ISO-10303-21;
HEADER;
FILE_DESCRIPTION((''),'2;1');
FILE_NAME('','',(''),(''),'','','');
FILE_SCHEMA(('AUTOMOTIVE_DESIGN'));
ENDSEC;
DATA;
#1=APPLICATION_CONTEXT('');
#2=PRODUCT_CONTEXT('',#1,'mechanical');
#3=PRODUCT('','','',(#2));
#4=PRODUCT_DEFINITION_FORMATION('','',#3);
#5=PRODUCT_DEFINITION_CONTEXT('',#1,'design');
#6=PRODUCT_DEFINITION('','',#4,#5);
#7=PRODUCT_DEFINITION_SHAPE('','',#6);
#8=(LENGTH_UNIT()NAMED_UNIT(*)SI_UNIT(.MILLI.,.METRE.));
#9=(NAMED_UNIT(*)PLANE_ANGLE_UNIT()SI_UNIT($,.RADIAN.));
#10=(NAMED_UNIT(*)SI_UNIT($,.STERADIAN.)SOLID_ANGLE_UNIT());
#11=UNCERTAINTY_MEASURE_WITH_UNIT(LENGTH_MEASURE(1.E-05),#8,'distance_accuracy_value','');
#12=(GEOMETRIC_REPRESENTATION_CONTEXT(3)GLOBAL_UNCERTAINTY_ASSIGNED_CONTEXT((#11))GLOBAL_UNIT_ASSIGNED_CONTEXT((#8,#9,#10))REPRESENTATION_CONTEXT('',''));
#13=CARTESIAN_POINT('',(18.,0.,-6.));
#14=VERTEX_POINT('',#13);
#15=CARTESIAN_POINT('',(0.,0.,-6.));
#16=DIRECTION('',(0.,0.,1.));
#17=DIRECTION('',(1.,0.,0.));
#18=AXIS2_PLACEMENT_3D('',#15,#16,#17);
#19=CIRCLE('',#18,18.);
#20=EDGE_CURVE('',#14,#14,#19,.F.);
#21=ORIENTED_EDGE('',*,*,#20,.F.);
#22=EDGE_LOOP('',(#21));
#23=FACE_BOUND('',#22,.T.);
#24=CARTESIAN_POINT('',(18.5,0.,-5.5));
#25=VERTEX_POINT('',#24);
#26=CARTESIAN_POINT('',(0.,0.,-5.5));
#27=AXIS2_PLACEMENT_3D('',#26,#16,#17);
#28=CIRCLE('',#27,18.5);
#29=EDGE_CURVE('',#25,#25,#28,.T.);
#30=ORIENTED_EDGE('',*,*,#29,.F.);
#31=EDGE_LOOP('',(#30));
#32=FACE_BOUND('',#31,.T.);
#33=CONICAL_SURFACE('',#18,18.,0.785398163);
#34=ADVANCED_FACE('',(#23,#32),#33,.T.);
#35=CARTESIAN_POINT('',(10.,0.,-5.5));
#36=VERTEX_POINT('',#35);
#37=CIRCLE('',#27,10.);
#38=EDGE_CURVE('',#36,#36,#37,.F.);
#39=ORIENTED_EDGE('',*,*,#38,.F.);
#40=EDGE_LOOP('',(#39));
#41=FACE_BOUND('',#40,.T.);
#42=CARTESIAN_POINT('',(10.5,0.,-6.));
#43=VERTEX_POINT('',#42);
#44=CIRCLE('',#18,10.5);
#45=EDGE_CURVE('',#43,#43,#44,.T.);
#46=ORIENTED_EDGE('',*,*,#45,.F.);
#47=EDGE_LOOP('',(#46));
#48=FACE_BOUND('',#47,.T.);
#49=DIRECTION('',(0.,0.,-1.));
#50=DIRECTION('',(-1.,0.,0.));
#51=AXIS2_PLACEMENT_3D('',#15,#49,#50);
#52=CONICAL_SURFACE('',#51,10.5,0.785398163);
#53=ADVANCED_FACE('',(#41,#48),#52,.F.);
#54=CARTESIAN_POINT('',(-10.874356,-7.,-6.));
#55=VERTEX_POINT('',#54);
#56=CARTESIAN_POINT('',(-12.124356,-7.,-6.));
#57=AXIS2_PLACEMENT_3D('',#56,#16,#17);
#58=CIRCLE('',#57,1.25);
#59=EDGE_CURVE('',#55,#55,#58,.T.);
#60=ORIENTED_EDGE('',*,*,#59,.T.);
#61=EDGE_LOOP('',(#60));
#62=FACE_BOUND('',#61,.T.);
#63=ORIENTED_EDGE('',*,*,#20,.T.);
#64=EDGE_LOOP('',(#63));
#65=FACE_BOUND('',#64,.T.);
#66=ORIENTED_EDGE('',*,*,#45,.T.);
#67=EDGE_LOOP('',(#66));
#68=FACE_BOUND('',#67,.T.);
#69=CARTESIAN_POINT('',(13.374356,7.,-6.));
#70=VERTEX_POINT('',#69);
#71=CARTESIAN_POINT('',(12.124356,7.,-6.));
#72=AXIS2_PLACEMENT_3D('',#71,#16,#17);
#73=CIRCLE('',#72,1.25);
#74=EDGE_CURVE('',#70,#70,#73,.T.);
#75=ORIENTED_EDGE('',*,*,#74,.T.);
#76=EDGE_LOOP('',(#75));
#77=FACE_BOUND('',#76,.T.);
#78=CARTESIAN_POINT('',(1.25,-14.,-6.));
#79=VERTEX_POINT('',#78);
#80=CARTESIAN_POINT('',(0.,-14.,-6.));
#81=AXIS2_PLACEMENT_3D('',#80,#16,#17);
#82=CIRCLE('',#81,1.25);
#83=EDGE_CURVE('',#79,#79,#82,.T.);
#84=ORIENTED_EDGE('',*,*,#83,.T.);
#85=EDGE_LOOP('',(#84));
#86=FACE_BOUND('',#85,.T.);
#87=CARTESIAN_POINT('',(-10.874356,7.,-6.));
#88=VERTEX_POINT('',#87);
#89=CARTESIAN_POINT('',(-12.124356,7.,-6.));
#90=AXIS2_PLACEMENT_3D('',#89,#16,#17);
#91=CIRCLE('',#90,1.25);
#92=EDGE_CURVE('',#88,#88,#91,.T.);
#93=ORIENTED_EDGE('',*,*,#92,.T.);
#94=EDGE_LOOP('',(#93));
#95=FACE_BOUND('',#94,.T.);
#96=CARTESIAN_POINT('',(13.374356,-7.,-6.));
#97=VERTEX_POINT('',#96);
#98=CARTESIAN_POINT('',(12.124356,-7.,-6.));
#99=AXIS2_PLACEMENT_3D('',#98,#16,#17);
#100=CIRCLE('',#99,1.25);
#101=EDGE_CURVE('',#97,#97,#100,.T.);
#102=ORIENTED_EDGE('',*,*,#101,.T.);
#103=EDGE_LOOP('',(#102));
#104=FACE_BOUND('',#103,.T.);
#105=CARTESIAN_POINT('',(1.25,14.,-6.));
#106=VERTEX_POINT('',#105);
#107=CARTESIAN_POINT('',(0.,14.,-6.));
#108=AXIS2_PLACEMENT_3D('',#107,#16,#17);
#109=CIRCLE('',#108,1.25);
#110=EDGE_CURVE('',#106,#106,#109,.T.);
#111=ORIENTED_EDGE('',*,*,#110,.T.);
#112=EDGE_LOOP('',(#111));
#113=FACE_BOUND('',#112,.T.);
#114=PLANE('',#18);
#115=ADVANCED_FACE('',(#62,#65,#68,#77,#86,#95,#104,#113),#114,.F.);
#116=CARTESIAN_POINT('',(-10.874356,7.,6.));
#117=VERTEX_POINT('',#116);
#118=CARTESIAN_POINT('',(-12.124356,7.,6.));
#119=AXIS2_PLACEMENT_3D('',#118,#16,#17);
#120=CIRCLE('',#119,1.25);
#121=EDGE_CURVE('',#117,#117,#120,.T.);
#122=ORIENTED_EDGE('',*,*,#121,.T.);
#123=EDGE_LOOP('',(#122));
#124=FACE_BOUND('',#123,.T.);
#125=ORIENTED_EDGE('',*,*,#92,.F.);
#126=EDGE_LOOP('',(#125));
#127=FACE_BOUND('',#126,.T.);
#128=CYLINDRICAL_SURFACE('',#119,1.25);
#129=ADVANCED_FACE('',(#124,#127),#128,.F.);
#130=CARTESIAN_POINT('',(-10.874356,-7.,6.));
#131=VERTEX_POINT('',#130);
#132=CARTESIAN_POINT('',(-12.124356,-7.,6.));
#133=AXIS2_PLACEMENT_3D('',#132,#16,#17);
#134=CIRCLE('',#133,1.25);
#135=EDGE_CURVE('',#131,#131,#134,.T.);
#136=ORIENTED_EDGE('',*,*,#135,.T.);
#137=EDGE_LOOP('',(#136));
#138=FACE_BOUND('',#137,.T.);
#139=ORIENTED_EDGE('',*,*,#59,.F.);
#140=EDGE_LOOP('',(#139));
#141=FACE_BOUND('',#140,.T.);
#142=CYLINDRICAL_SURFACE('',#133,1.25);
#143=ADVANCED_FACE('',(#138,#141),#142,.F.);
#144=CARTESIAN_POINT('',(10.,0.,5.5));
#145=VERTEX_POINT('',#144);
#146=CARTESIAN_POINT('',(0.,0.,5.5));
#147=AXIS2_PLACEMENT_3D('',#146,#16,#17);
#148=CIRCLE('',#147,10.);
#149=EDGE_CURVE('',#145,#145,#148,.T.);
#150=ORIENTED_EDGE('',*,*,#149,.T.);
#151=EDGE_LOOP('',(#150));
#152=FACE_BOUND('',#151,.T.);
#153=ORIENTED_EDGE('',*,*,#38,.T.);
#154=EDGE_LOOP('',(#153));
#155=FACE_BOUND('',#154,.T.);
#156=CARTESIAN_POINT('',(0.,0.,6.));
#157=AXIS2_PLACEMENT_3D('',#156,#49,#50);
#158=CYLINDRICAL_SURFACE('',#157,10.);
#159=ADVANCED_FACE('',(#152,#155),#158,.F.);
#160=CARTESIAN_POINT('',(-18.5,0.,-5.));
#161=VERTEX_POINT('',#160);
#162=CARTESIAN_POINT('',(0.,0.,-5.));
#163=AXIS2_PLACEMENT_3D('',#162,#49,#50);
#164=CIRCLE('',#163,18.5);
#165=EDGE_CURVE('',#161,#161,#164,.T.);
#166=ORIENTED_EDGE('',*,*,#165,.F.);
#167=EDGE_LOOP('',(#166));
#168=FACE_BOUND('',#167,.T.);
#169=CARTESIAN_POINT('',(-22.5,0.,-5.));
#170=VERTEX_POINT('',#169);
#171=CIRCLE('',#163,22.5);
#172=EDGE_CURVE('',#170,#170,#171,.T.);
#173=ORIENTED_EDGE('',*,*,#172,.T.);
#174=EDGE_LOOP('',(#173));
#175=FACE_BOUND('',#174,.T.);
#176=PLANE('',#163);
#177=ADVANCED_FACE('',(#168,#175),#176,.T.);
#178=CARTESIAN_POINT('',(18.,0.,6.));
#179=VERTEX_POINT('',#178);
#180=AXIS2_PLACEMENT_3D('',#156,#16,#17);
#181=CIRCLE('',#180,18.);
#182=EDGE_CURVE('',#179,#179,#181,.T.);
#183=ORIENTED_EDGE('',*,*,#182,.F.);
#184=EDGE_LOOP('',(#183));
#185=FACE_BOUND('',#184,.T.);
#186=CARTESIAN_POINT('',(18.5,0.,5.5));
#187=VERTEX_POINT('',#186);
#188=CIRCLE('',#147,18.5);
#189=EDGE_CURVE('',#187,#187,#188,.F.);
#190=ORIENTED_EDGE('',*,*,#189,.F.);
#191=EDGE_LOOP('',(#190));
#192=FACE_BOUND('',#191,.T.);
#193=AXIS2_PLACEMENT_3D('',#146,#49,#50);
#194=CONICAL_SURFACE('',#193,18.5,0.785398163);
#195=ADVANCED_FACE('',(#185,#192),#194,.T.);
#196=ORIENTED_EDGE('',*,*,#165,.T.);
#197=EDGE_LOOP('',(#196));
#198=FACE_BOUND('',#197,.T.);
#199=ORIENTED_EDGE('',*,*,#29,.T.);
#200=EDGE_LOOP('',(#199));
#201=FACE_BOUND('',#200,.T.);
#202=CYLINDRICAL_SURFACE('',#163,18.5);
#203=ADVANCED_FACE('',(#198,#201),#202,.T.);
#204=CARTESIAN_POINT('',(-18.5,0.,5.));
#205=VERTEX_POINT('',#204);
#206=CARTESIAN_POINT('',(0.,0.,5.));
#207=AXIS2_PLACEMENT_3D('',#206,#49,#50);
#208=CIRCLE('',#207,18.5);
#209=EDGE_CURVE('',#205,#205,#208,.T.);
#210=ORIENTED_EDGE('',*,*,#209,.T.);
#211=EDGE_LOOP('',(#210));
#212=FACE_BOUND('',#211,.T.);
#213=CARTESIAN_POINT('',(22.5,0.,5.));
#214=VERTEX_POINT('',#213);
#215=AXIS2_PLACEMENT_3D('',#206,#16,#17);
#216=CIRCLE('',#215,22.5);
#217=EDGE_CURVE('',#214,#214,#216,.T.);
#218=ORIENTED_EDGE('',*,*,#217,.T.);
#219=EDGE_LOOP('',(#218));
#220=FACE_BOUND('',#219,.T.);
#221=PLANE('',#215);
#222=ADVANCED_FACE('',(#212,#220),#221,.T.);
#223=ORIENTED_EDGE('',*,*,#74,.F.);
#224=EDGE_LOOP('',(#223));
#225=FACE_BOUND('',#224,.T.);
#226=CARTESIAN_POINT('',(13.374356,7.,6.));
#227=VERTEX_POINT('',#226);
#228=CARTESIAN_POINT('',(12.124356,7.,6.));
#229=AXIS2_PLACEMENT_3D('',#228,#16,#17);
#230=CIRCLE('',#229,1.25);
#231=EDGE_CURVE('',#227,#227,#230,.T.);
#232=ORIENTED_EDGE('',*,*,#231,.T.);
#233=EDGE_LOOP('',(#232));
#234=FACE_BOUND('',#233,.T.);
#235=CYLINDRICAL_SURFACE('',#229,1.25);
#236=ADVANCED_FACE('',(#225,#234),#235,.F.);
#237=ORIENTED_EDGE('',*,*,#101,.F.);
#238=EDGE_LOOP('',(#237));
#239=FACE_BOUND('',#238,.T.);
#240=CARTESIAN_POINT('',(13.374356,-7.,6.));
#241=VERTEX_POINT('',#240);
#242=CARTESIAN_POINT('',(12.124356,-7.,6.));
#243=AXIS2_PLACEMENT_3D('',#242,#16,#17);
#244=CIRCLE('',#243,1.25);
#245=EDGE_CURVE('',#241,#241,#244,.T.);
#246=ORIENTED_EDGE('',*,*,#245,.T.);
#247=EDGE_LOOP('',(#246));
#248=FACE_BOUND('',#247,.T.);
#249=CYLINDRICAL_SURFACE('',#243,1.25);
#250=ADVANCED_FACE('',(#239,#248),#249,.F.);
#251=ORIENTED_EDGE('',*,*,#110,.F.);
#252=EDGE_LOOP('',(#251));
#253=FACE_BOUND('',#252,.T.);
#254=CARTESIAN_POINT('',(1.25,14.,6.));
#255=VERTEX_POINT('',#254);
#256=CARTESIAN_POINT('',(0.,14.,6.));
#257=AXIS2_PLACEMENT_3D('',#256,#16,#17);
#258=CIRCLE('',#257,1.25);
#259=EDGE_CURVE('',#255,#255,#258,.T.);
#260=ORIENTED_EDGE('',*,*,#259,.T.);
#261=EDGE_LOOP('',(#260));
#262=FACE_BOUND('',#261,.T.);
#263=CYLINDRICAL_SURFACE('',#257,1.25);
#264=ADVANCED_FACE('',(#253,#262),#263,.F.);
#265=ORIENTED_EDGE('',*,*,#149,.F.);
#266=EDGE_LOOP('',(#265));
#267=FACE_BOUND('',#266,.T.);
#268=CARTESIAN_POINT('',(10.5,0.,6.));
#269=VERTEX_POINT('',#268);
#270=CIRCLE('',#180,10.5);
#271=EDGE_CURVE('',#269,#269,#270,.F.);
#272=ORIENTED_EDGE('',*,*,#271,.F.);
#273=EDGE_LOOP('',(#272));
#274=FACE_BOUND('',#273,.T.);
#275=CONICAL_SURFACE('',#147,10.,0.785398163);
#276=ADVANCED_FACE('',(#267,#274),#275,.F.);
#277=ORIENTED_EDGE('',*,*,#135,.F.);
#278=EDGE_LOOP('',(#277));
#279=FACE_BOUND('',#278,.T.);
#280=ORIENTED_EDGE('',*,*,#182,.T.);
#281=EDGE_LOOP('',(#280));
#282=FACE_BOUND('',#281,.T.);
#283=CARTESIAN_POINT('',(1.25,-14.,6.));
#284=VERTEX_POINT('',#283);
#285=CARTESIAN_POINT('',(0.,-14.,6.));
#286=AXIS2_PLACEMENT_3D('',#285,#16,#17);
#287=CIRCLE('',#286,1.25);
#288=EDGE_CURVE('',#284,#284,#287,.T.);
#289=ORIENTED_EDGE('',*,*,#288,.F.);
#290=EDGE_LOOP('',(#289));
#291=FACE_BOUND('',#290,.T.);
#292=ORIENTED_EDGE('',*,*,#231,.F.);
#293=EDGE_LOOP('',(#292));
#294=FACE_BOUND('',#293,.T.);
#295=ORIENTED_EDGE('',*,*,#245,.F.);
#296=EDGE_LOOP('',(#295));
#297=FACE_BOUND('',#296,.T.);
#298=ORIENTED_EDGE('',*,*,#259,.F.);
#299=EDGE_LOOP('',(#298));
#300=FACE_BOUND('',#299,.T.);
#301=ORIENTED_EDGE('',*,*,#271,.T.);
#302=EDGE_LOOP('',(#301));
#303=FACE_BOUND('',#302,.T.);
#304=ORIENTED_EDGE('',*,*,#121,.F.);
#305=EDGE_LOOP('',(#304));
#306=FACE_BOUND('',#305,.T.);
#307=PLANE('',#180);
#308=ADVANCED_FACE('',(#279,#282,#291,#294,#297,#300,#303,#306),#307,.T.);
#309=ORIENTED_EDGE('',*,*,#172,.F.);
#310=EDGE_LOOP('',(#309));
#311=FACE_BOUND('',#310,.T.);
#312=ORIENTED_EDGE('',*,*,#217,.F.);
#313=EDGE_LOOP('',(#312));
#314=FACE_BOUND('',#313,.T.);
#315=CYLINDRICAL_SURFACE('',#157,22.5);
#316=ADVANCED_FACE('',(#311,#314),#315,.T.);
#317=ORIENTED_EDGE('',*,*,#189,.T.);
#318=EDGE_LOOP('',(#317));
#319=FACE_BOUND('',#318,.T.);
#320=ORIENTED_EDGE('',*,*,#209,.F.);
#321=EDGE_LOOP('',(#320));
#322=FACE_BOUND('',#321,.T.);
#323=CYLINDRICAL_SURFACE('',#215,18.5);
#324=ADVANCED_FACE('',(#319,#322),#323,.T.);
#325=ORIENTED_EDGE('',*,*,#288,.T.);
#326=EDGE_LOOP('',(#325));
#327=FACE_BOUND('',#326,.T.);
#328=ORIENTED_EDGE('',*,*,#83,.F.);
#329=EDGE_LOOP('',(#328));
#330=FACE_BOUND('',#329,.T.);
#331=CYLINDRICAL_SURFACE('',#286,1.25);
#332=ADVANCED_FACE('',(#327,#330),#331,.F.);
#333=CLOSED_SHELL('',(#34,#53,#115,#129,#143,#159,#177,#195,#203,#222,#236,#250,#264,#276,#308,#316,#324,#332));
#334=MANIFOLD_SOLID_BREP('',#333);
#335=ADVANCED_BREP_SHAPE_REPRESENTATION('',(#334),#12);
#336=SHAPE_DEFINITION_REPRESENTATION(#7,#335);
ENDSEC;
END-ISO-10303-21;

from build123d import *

# Parameters (mm, degrees)
SKETCH_1_R               = 22.5
SKETCH_1_R_2             = 10
EXTRUDE_1_DEPTH          = 6
SKETCH1_OUTSIDE_W        = 59.952
SKETCH1_OUTSIDE_H        = 59.952
SKETCH1_OUTSIDE_R        = 18.5
CUT_EXTRUDE1_DEPTH       = 1
M3_TAPPED_HOLE1_D        = 2.5
PATTERN_CIRCULAR_1_COUNT = 6
CHAMFER_1_SIZE           = 0.5


with BuildPart() as part:
    # 스케치1 → 보스-돌출1 (new, symmetric)
    with BuildSketch(Plane.XY):
        Circle(SKETCH_1_R)
        Circle(SKETCH_1_R_2, mode=Mode.SUBTRACT)
    extrude(amount=EXTRUDE_1_DEPTH, both=True)

    # Sketch1 outside → Cut-Extrude1 (cut)
    with BuildSketch(Plane(origin=(0, 0, -6), x_dir=(-1, 0, 0), z_dir=(0, 0, -1))):
        Rectangle(SKETCH1_OUTSIDE_W, SKETCH1_OUTSIDE_H)
        Circle(SKETCH1_OUTSIDE_R, mode=Mode.SUBTRACT)
    cut_extrude1 = extrude(amount=-CUT_EXTRUDE1_DEPTH, mode=Mode.SUBTRACT)

    # Mirror1: Cut-Extrude1 across plane
    add(cut_extrude1.mirror(Plane.XY), mode=Mode.SUBTRACT)

    # M3 Tapped Hole1 (through all)
    with Locations(Plane.XY.offset(6)):
        with Locations((0, 14)):
            m3_tapped_hole1 = Hole(M3_TAPPED_HOLE1_D / 2)

    # 원형 패턴1: M3 Tapped Hole1 ×6 about axis
    pattern_circular_1_axis = Axis((0, 0, 6), (0, 0, -1))
    for i in range(1, PATTERN_CIRCULAR_1_COUNT):
        add(m3_tapped_hole1.rotate(pattern_circular_1_axis, i * 360 / PATTERN_CIRCULAR_1_COUNT), mode=Mode.SUBTRACT)

    # 모따기1
    chamfer_1_edges = [part.edges().sort_by_distance(p)[0] for p in [
        (-10, 0, -6),
        (-10, 0, 6),
        (18.5, 0, 6),
        (18.5, 0, -6),
    ]]
    chamfer(chamfer_1_edges, length=CHAMFER_1_SIZE)


solid = part.part
